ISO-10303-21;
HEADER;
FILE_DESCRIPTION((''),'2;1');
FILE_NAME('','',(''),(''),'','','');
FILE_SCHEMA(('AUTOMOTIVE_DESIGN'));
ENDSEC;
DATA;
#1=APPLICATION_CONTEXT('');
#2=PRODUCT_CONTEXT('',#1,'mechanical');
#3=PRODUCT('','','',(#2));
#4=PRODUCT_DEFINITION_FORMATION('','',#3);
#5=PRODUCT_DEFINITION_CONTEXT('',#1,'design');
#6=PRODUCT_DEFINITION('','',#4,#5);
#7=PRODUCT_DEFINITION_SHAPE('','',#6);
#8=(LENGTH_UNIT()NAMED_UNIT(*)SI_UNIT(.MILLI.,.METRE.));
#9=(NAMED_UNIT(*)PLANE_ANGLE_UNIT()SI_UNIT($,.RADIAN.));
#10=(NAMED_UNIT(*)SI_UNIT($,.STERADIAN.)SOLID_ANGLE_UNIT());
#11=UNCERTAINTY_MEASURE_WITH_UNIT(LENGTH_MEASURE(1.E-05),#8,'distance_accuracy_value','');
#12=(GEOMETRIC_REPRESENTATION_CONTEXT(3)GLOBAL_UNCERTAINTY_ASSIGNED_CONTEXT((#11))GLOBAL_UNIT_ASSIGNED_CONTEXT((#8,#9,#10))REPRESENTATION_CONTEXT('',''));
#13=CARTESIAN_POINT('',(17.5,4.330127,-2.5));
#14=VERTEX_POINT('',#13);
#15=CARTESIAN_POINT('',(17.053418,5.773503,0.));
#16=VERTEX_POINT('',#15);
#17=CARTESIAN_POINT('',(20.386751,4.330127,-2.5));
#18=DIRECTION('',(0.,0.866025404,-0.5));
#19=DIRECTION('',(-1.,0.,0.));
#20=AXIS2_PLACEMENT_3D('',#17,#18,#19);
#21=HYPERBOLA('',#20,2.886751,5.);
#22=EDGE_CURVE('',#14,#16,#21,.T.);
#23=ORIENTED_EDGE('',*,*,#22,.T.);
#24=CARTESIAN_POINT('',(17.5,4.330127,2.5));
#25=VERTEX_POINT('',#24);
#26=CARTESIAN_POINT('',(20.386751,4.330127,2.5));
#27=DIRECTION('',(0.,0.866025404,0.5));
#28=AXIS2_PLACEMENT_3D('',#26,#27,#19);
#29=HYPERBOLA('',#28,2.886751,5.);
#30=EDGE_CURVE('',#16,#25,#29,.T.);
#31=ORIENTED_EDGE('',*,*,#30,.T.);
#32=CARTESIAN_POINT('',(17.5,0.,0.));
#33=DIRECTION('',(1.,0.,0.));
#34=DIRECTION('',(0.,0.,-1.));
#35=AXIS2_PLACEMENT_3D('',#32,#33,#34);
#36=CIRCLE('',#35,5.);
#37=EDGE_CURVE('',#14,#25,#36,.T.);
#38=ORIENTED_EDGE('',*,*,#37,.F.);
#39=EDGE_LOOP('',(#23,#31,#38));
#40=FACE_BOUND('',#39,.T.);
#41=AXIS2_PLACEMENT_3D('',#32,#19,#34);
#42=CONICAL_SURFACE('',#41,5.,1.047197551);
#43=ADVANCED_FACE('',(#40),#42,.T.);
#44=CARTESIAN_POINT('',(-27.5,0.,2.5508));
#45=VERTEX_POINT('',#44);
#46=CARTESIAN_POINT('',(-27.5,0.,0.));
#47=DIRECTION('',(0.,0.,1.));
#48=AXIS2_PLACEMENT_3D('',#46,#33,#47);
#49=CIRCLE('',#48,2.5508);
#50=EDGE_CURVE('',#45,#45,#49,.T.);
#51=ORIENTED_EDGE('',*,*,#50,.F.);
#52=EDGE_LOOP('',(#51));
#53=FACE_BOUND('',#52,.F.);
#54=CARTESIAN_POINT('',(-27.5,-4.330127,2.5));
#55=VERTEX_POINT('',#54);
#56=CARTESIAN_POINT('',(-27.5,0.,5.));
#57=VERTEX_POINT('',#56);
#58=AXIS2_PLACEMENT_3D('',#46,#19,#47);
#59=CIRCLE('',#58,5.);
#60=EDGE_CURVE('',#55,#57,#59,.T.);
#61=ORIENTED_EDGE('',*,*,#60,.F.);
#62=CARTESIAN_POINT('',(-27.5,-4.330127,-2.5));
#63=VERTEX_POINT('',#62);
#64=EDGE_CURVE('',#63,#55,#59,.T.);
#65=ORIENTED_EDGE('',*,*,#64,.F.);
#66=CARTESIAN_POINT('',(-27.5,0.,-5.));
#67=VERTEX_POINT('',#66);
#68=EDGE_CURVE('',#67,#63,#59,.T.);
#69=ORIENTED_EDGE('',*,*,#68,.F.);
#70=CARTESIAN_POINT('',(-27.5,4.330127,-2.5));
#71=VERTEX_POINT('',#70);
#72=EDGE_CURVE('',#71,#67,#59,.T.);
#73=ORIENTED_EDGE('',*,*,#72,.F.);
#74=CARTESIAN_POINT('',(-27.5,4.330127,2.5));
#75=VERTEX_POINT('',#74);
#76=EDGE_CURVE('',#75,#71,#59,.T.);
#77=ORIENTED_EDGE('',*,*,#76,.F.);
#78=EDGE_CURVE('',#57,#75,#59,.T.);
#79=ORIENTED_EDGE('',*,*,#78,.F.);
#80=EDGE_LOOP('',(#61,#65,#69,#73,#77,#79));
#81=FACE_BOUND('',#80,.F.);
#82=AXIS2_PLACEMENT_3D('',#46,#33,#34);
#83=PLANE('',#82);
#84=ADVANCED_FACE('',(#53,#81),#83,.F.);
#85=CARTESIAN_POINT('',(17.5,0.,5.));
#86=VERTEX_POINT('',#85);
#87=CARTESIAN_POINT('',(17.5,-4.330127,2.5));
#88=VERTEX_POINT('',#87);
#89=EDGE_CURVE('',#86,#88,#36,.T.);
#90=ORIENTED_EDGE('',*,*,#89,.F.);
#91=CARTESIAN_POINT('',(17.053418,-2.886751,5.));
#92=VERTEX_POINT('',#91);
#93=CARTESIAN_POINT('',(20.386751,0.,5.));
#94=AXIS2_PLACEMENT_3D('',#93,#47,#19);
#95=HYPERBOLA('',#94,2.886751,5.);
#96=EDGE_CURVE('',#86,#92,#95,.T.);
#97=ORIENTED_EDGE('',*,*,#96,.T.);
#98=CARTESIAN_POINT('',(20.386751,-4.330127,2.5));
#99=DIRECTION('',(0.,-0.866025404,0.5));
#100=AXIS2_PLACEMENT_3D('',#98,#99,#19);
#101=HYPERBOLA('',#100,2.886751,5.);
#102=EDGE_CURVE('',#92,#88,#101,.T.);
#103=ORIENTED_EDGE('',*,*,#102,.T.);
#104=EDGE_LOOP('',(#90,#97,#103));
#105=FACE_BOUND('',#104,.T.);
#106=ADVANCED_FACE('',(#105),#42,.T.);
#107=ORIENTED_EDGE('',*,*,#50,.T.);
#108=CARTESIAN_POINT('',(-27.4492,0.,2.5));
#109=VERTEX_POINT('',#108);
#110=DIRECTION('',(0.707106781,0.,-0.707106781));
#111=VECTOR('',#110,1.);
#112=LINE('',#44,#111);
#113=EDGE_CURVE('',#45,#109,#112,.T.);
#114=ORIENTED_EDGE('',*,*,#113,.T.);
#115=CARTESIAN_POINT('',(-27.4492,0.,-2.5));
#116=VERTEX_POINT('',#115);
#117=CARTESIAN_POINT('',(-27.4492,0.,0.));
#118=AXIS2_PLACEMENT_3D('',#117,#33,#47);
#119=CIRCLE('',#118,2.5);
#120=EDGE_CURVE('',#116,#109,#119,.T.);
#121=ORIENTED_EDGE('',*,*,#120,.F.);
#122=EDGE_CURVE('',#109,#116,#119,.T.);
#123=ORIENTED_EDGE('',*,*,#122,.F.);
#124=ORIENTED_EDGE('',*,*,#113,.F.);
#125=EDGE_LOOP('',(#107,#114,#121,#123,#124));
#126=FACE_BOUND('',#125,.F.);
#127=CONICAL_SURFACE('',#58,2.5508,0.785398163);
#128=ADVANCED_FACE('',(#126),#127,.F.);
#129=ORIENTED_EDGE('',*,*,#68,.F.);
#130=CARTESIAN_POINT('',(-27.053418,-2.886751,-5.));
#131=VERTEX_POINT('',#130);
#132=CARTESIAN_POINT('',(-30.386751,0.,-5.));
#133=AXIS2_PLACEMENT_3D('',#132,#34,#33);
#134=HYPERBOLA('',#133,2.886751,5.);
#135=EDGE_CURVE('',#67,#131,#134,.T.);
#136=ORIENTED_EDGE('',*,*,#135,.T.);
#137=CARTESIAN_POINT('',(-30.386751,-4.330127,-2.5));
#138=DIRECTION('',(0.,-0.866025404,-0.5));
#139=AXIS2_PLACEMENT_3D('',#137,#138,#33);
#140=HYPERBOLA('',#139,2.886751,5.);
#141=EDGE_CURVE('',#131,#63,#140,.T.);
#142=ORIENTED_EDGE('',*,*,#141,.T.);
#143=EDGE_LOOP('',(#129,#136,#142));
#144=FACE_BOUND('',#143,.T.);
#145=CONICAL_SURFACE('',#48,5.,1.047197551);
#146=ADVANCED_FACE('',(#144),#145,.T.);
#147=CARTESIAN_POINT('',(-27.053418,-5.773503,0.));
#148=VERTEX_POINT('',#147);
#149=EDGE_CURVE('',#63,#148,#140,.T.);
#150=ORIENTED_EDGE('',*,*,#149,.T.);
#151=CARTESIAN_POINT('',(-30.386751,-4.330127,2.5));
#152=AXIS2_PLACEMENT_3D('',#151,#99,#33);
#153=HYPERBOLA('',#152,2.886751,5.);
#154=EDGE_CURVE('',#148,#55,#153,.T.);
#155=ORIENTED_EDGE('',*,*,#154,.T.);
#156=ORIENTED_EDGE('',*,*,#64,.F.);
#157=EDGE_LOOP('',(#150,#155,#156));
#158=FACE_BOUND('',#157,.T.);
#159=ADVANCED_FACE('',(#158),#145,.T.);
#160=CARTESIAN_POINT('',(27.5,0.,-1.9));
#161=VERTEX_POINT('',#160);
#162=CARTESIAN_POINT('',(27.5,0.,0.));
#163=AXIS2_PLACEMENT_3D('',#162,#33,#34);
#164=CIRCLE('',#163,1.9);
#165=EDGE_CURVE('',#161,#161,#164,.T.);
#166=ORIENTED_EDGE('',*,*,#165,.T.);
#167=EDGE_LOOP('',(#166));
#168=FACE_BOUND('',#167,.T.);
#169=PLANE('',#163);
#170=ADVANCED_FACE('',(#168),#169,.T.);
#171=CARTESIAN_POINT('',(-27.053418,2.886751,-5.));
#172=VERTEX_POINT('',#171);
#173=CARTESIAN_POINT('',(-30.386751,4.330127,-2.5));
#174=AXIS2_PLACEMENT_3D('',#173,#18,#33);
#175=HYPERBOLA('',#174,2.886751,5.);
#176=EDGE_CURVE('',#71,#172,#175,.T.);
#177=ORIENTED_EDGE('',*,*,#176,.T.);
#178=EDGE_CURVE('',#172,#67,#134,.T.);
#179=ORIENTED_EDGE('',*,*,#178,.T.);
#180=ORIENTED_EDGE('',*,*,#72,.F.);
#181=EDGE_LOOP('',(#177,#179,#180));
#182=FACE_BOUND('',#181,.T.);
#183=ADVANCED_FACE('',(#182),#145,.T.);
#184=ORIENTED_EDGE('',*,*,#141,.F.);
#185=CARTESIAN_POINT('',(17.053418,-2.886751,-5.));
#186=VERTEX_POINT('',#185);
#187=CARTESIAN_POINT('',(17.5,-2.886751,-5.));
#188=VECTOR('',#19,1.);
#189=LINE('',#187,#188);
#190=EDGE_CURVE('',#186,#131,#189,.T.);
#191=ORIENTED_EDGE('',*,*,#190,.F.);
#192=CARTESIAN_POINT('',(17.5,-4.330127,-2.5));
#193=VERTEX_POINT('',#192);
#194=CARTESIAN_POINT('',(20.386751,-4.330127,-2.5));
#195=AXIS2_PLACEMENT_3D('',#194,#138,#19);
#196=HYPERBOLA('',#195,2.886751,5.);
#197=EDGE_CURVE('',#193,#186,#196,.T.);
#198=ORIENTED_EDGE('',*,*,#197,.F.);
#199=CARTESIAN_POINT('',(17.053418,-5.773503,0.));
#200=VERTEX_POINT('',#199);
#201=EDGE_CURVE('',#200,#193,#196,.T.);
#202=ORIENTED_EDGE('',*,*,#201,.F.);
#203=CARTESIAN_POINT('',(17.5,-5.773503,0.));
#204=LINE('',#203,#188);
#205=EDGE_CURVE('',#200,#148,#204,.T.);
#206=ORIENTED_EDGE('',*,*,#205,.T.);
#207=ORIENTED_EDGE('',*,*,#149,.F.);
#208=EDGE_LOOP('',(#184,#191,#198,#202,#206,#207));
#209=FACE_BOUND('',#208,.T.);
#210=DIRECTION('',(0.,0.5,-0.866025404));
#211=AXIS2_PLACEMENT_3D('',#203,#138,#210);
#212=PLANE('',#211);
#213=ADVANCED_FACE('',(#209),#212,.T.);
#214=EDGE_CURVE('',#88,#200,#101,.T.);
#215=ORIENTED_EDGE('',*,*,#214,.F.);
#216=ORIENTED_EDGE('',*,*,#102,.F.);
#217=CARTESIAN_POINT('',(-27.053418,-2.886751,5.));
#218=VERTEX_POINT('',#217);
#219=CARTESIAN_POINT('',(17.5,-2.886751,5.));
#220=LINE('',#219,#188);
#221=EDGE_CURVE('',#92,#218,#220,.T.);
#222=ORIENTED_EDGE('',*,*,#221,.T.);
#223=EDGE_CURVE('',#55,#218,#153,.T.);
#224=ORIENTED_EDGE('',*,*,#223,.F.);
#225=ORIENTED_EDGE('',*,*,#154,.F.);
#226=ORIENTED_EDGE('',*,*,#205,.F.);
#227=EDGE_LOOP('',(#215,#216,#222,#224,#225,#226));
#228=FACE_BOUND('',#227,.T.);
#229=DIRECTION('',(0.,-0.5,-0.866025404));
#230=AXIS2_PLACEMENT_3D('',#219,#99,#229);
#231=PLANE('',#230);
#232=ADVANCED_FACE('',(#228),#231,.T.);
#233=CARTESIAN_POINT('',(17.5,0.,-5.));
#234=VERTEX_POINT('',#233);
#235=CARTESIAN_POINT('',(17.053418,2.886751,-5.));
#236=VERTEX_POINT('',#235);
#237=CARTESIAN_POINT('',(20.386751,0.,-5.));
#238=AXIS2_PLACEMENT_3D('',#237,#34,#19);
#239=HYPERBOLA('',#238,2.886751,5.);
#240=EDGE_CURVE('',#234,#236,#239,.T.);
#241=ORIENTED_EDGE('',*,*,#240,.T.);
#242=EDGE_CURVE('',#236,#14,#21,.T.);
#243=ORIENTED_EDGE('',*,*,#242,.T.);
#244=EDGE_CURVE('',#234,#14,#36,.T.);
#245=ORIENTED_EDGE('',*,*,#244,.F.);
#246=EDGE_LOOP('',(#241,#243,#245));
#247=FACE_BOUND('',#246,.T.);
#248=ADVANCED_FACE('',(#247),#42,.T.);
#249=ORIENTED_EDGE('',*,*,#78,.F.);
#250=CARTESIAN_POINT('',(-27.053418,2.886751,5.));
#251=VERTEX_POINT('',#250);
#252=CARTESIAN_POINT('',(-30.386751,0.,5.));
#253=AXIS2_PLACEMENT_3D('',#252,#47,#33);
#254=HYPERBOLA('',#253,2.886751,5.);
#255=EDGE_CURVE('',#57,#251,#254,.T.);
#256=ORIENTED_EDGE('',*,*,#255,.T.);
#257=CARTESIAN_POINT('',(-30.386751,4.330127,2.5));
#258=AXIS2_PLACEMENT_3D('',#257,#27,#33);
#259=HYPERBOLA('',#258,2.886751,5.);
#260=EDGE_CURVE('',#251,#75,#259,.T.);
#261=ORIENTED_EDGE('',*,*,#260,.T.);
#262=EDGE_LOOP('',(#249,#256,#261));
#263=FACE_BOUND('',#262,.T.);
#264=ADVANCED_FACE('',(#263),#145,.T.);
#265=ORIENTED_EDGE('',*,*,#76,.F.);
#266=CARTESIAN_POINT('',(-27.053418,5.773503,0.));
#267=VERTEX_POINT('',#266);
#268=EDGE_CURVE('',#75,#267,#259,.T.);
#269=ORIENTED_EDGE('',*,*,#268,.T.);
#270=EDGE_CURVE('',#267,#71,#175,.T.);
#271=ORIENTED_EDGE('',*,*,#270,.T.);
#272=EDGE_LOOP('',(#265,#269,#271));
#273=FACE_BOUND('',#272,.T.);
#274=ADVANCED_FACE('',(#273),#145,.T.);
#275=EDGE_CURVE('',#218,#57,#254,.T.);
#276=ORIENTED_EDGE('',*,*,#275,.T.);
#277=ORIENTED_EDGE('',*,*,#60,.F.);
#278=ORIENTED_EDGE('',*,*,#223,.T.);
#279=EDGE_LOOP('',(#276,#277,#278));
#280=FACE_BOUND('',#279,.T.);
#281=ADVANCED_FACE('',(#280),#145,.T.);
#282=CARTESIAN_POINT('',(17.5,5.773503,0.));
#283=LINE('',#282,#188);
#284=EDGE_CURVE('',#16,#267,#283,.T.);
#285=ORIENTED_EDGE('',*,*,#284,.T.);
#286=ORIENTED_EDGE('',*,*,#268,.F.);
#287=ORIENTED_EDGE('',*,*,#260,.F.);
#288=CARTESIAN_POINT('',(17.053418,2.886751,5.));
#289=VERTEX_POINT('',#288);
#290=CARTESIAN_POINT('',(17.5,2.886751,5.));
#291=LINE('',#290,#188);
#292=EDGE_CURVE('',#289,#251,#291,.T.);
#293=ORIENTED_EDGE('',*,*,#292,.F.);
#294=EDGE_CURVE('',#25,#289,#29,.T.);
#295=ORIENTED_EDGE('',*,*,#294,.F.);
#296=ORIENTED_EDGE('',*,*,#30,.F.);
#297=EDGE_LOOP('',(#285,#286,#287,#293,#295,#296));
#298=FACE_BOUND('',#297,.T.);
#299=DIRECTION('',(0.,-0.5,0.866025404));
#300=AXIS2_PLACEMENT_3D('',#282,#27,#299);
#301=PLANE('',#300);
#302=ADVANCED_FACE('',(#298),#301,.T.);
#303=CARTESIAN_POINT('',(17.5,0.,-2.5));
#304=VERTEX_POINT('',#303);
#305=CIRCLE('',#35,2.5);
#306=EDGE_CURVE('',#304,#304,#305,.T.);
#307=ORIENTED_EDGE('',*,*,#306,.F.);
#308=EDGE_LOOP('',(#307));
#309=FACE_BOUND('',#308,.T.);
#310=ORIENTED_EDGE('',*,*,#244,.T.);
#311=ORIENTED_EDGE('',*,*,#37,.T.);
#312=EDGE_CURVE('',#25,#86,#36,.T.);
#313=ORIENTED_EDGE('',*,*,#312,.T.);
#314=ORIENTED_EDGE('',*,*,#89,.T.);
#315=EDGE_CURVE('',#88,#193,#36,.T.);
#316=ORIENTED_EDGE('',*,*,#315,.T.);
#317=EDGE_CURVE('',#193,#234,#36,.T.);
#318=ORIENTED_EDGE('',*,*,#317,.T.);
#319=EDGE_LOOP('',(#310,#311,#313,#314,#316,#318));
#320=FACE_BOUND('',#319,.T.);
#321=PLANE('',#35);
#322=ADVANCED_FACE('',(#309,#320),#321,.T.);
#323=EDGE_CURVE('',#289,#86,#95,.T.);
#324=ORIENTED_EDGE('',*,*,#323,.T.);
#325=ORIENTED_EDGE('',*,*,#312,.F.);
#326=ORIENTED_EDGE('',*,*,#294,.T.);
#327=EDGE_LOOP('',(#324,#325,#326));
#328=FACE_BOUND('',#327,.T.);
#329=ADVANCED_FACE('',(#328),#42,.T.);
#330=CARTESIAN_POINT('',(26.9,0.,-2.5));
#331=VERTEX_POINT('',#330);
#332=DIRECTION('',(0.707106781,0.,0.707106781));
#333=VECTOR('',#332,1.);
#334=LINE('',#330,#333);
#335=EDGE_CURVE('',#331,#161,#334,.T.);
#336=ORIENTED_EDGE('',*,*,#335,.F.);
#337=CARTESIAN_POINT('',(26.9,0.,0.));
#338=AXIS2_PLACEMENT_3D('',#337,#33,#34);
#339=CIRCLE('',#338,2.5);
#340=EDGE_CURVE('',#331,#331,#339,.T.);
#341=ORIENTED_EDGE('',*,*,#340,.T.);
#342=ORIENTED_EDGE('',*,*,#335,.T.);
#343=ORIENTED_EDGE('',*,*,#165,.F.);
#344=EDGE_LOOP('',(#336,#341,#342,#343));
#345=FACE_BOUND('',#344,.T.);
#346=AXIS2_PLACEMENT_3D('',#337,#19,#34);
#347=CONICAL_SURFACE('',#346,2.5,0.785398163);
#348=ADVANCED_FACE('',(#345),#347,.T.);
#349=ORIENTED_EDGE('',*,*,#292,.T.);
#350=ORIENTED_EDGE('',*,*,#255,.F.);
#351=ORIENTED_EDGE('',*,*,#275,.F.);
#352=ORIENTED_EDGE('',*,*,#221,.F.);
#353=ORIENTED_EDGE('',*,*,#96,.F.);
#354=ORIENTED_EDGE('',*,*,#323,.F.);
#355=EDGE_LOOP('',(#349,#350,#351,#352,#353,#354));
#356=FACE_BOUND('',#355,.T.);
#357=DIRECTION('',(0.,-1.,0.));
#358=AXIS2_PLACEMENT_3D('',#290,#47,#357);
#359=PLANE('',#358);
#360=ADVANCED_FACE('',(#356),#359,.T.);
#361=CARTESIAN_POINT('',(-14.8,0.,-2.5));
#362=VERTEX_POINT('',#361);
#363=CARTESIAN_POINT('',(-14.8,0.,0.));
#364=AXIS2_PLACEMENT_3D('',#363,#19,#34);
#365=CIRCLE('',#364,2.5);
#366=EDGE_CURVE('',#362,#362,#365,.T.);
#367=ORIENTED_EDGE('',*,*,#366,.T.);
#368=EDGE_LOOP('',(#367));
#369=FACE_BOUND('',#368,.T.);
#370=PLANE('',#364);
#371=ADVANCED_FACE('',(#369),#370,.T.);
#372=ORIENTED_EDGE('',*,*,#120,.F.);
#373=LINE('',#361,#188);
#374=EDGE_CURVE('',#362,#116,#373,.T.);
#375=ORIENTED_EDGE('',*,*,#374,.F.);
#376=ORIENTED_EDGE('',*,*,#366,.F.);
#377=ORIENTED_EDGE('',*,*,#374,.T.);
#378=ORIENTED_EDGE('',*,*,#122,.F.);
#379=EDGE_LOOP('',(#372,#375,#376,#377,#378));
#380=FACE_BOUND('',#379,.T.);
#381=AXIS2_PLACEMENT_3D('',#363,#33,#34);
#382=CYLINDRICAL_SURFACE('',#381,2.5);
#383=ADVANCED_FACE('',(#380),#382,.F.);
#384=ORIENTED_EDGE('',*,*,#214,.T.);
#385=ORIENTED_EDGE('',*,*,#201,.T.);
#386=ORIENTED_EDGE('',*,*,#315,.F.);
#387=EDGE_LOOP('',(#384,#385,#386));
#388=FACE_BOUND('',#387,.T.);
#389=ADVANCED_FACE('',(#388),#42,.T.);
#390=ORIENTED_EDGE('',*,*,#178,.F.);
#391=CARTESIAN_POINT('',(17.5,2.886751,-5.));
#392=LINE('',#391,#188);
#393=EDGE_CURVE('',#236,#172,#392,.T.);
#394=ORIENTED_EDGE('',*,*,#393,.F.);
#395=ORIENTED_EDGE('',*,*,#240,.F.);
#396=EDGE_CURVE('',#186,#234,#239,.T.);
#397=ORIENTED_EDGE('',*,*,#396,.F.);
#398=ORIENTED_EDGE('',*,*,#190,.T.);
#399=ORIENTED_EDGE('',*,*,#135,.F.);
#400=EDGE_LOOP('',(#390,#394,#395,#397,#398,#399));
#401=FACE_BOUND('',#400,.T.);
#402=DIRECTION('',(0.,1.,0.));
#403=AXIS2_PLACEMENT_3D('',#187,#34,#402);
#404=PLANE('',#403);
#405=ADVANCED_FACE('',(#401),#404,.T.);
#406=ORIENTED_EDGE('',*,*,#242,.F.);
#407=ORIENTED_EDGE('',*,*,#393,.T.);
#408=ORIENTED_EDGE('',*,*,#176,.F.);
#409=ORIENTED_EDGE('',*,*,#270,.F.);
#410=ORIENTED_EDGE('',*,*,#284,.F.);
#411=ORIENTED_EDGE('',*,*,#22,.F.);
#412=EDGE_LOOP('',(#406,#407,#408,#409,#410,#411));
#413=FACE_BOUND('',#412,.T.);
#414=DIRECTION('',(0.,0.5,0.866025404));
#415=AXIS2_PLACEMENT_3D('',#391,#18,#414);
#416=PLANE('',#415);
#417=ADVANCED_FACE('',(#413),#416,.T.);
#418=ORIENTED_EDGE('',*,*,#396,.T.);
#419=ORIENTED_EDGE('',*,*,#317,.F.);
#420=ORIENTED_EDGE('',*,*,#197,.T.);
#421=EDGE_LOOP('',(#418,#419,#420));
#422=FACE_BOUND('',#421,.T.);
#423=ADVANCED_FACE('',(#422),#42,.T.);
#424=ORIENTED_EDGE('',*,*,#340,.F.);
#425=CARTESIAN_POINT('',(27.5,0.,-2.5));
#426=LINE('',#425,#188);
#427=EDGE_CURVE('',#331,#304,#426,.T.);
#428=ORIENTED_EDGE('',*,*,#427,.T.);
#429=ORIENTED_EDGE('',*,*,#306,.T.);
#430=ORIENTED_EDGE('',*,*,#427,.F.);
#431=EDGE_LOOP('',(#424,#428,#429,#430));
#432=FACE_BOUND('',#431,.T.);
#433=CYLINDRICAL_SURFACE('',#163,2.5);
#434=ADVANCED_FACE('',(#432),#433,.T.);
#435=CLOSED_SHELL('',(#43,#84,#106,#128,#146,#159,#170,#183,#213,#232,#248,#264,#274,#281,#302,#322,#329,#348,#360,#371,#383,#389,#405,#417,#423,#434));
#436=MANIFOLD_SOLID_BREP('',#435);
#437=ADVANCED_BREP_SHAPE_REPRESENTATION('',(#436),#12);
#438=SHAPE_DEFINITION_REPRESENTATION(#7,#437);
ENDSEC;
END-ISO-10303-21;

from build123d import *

# Parameters (mm, degrees)
SKETCH2_R         = 2.5
EXTRUDE1_DEPTH    = 10
CHAMFER1_SIZE     = 0.6
EXTRUDE4_DEPTH    = 45
SKETCH8_OUTSIDE_W = 219.234
SKETCH8_OUTSIDE_H = 220.782
SKETCH8_OUTSIDE_R = 5
EXTRUDE5_DEPTH    = 56.52777083
EXTRUDE5_DRAFT    = -60
SKETCH9_OUTSIDE_W = 184.994
SKETCH9_OUTSIDE_H = 186.542
SKETCH9_OUTSIDE_R = 5
EXTRUDE6_DEPTH    = 46.643546459
EXTRUDE6_DRAFT    = -60
EXTRUDE7_START    = -12.7
SKETCH10_R        = 2.5
EXTRUDE7_DEPTH    = 12.7
SKETCH13_R        = 2.5508
EXTRUDE8_DEPTH    = 56.52777083


with BuildPart() as part:
    # Sketch2 → Extrude1 (new body)
    with BuildSketch(Plane(origin=(27.5, 0, 0), x_dir=(0, 0, -1), z_dir=(1, 0, 0))):
        Circle(SKETCH2_R)
    extrude(amount=-EXTRUDE1_DEPTH)

    # Chamfer1
    chamfer1_edges = [part.edges().sort_by_distance(p)[0] for p in [
        (27.5, 0, 2.5),
    ]]
    chamfer(chamfer1_edges, length=CHAMFER1_SIZE)

    # Sketch7 → Extrude4 (add)
    with BuildSketch(Plane(origin=(17.5, 0, 0), x_dir=(0, 0, -1), z_dir=(1, 0, 0))):
        Polygon((0, 5.773502692), (-5, 2.886751346), (-5, -2.886751346), (0, -5.773502692), (5, -2.886751346), (5, 2.886751346), align=None)
    extrude(amount=-EXTRUDE4_DEPTH)


with BuildPart() as extrude5_tool:
    # Sketch8 outside → Extrude5 (with draft: the straight prism first)
    with BuildSketch(Plane.ZY.offset(27.5)):
        Rectangle(SKETCH8_OUTSIDE_W, SKETCH8_OUTSIDE_H)
        Circle(SKETCH8_OUTSIDE_R, mode=Mode.SUBTRACT)
    extrude(amount=-EXTRUDE5_DEPTH)
    # Extrude5: the draft: its side faces are tilted about the plane it starts from
    extrude5_sides = [extrude5_tool.faces().sort_by_distance(p)[0] for p in [
        (0.763885415, -110.391, 0),
        (0.763885415, 0, 109.617),
        (0.763885415, 110.391, 0),
        (0.763885415, 0, -109.617),
        (0.763885415, 0, -5),
    ]]
    draft(extrude5_sides, Plane.ZY.offset(27.5), EXTRUDE5_DRAFT)


with BuildPart() as part_1:
    add(part.part)

    # Extrude5: cut by extrude5_tool
    add(extrude5_tool.part, mode=Mode.SUBTRACT)


with BuildPart() as extrude6_tool:
    # Sketch9 outside → Extrude6 (with draft: the straight prism first)
    with BuildSketch(Plane(origin=(17.5, 0, 0), x_dir=(0, 0, -1), z_dir=(1, 0, 0))):
        Rectangle(SKETCH9_OUTSIDE_W, SKETCH9_OUTSIDE_H)
        Circle(SKETCH9_OUTSIDE_R, mode=Mode.SUBTRACT)
    extrude(amount=-EXTRUDE6_DEPTH)
    # Extrude6: the draft: its side faces are tilted about the plane it starts from
    extrude6_sides = [extrude6_tool.faces().sort_by_distance(p)[0] for p in [
        (-5.821773229, -93.271, 0),
        (-5.821773229, 0, -92.497),
        (-5.821773229, 93.271, 0),
        (-5.821773229, 0, 92.497),
        (-5.821773229, 0, 5),
    ]]
    draft(extrude6_sides, Plane(origin=(17.5, 0, 0), x_dir=(0, 0, -1), z_dir=(1, 0, 0)), EXTRUDE6_DRAFT)


with BuildPart() as part_2:
    add(part_1.part)

    # Extrude6: cut by extrude6_tool
    add(extrude6_tool.part, mode=Mode.SUBTRACT)

    # Sketch10 → Extrude7 (cut)
    with BuildSketch(Plane.ZY.offset(27.5).offset(EXTRUDE7_START)):
        with Locations(Location((0, 0, 0), (0, 0, 180))):
            Circle(SKETCH10_R)
    extrude(amount=EXTRUDE7_DEPTH, mode=Mode.SUBTRACT)

    # Sketch13 → Extrude8 (cut)
    with BuildSketch(Plane.ZY.offset(27.5)):
        Circle(SKETCH13_R)
    extrude(amount=EXTRUDE8_DEPTH, mode=Mode.SUBTRACT)

    # Extrude8 cone 1 section (through the dimple's axis) → Extrude8 other way (revolve, cut)
    with BuildSketch(Plane(origin=(-27.5, 0, 0), x_dir=(0, 0, 1), z_dir=(0, 1, 0))):
        Polygon((0, 0), (2.5508, 0), (0, 2.5508), align=None)
    revolve(axis=Axis((-27.5, 0, 0), (1, 0, 0)), mode=Mode.SUBTRACT)


solid = part_2.part
